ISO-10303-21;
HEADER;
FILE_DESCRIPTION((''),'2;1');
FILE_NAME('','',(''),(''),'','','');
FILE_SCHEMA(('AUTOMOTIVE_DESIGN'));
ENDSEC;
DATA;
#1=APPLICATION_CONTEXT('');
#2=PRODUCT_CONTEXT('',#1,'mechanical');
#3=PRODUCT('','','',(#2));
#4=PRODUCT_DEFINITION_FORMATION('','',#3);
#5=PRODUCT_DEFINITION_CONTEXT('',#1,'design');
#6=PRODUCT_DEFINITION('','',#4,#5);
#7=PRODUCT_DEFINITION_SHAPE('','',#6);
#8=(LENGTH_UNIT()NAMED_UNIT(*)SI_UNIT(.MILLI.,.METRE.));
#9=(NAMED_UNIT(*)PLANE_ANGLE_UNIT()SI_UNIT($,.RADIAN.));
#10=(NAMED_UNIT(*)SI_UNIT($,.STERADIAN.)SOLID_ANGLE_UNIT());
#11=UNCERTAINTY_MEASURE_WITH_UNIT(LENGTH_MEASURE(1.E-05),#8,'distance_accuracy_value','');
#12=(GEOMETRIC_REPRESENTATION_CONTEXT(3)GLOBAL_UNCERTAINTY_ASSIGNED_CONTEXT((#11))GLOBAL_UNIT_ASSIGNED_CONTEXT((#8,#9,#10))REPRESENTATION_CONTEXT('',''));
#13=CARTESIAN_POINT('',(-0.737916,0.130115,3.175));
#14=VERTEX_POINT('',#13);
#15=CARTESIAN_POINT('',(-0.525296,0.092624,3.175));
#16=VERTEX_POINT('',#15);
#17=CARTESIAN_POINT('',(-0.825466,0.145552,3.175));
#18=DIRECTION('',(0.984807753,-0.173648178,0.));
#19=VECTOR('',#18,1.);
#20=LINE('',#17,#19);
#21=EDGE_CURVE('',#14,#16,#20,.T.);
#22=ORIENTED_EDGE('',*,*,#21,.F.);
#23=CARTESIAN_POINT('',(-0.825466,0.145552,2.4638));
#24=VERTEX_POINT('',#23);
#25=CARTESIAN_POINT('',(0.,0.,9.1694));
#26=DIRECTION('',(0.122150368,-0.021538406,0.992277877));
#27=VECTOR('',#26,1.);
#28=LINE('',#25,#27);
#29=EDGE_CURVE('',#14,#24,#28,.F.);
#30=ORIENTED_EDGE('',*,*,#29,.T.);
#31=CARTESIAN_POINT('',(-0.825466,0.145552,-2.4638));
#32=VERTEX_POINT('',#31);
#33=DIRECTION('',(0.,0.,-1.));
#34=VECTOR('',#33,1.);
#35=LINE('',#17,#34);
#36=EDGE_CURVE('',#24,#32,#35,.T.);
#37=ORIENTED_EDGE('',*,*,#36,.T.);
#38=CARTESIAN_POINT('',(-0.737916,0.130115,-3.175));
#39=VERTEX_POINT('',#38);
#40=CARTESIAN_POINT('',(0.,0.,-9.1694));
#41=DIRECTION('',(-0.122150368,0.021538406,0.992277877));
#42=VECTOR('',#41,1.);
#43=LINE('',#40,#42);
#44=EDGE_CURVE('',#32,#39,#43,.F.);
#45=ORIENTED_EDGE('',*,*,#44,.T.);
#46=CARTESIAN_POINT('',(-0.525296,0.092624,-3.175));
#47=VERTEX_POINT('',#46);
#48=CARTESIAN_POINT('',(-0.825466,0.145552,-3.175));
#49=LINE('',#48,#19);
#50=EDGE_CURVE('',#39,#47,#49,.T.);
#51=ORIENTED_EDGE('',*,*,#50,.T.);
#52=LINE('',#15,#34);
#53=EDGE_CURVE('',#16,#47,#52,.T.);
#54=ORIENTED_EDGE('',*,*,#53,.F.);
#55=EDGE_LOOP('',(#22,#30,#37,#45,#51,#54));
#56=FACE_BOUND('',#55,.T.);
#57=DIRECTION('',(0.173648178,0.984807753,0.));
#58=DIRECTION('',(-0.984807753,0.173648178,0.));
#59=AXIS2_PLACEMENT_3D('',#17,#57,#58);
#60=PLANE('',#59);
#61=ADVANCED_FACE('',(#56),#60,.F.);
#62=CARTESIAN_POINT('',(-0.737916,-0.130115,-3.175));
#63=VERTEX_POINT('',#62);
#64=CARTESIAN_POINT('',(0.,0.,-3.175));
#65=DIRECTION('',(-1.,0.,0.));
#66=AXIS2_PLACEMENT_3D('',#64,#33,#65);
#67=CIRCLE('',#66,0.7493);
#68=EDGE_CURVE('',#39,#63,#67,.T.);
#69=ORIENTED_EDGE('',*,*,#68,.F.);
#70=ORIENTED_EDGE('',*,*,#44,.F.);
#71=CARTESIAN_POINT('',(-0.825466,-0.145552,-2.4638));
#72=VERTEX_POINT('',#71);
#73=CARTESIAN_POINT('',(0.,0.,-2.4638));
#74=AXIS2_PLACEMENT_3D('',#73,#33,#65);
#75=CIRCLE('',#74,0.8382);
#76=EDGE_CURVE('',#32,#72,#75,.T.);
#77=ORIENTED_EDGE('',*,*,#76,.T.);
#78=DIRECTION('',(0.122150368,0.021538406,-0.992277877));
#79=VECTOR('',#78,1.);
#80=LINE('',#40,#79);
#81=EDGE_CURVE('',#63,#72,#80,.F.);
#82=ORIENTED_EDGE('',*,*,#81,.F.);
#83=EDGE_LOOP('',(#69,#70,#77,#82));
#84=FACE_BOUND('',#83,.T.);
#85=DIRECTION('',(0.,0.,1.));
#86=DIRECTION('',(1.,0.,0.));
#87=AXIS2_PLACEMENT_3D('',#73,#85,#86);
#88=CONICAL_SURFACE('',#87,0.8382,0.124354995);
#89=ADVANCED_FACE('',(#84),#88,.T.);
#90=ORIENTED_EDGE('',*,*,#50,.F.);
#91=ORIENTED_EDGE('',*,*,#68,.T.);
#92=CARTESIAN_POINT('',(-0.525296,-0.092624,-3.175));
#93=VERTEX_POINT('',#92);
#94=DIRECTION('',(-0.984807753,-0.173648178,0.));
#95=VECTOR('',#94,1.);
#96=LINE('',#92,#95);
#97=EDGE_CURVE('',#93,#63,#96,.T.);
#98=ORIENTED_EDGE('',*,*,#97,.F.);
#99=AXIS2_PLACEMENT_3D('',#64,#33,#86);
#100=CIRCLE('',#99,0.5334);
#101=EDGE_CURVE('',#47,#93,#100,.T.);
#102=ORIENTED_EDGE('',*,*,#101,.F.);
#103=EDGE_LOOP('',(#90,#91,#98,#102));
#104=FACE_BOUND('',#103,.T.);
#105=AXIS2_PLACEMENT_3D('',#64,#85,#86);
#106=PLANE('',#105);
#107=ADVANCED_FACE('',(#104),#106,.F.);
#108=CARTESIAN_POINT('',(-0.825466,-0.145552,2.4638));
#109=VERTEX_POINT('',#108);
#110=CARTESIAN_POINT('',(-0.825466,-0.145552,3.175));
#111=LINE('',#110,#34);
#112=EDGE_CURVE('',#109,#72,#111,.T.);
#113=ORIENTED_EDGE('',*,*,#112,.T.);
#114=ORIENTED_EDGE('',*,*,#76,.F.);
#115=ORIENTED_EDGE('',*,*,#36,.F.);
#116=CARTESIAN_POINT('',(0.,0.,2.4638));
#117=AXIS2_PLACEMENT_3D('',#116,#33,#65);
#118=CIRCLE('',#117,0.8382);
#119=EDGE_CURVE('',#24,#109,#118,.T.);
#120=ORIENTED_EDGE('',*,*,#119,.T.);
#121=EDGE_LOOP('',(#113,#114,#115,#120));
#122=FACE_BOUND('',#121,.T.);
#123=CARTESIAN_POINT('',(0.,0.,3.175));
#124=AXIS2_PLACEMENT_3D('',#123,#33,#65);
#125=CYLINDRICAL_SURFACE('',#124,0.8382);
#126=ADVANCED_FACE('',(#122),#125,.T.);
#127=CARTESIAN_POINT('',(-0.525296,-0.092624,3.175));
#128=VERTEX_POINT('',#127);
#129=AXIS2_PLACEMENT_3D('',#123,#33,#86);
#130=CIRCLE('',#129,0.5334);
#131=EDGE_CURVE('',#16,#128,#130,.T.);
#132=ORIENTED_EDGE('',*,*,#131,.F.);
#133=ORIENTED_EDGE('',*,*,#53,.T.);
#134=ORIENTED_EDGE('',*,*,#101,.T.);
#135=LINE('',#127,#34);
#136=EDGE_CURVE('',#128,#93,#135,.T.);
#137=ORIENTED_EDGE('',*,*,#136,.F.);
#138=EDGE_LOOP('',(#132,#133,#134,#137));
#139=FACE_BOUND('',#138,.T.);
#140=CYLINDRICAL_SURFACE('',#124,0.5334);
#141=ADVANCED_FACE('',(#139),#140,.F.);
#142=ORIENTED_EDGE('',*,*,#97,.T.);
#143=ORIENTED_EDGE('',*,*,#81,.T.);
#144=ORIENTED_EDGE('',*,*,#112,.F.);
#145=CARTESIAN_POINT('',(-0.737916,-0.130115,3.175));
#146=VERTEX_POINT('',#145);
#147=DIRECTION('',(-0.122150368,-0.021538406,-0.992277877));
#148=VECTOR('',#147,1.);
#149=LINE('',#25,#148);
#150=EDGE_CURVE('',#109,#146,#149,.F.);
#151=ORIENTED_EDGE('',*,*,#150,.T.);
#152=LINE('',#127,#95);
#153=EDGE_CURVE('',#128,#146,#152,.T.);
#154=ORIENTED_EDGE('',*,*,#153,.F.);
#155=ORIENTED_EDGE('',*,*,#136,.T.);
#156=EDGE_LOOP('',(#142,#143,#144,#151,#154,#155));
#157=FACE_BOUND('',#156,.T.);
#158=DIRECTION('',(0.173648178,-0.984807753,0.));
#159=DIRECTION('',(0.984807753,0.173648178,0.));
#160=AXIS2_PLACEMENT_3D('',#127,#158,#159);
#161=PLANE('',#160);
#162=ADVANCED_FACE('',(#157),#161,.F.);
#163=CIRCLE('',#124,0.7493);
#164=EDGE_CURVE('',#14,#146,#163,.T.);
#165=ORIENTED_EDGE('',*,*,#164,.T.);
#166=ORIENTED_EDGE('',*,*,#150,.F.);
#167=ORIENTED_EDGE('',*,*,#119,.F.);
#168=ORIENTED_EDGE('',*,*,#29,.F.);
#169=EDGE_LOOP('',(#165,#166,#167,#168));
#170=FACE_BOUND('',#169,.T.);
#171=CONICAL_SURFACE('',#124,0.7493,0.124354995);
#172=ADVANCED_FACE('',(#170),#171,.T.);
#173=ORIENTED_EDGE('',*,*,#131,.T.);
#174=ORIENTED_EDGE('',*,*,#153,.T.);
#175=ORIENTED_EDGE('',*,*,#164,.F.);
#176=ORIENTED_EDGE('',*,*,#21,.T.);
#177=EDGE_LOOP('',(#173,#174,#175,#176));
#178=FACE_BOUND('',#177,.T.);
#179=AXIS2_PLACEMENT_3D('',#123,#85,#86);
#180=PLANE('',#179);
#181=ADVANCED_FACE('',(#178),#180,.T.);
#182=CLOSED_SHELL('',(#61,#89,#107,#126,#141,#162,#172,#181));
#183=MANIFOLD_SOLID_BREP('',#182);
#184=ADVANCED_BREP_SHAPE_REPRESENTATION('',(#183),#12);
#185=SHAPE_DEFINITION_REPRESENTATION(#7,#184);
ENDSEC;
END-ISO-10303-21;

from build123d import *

# Parameters (mm, degrees)
EXTRUDE1_DEPTH = 3.175


with BuildPart() as part:
    # Sketch1 → Extrude1 (new, symmetric)
    with BuildSketch(Plane.XY):
        with BuildLine():
            Line((-0.825465859, 0.145551903), (-0.525296455, 0.092623938))
            ThreePointArc((-0.525296455, 0.092623938), (0.5334, 0), (-0.525296455, -0.092623938))
            Line((-0.525296455, -0.092623938), (-0.825465859, -0.145551903))
            ThreePointArc((-0.825465859, -0.145551903), (0.8382, 0), (-0.825465859, 0.145551903))
        make_face()
    extrude(amount=EXTRUDE1_DEPTH, both=True)

    # Sketch2 → Cut-Revolve1 (revolve, cut)
    with BuildSketch(Plane(origin=(0, 0, 0), x_dir=(0, 0, -1), z_dir=(1, 0, 0))):
        Polygon((3.175, 0.8382), (3.175, 0.7493), (2.4638, 0.8382), align=None)
        Polygon((-2.4638, 0.8382), (-3.175, 0.8382), (-3.175, 0.7493), align=None)
    revolve(axis=Axis((0, 0, -3.175), (0, 0, 1)), mode=Mode.SUBTRACT)


solid = part.part
